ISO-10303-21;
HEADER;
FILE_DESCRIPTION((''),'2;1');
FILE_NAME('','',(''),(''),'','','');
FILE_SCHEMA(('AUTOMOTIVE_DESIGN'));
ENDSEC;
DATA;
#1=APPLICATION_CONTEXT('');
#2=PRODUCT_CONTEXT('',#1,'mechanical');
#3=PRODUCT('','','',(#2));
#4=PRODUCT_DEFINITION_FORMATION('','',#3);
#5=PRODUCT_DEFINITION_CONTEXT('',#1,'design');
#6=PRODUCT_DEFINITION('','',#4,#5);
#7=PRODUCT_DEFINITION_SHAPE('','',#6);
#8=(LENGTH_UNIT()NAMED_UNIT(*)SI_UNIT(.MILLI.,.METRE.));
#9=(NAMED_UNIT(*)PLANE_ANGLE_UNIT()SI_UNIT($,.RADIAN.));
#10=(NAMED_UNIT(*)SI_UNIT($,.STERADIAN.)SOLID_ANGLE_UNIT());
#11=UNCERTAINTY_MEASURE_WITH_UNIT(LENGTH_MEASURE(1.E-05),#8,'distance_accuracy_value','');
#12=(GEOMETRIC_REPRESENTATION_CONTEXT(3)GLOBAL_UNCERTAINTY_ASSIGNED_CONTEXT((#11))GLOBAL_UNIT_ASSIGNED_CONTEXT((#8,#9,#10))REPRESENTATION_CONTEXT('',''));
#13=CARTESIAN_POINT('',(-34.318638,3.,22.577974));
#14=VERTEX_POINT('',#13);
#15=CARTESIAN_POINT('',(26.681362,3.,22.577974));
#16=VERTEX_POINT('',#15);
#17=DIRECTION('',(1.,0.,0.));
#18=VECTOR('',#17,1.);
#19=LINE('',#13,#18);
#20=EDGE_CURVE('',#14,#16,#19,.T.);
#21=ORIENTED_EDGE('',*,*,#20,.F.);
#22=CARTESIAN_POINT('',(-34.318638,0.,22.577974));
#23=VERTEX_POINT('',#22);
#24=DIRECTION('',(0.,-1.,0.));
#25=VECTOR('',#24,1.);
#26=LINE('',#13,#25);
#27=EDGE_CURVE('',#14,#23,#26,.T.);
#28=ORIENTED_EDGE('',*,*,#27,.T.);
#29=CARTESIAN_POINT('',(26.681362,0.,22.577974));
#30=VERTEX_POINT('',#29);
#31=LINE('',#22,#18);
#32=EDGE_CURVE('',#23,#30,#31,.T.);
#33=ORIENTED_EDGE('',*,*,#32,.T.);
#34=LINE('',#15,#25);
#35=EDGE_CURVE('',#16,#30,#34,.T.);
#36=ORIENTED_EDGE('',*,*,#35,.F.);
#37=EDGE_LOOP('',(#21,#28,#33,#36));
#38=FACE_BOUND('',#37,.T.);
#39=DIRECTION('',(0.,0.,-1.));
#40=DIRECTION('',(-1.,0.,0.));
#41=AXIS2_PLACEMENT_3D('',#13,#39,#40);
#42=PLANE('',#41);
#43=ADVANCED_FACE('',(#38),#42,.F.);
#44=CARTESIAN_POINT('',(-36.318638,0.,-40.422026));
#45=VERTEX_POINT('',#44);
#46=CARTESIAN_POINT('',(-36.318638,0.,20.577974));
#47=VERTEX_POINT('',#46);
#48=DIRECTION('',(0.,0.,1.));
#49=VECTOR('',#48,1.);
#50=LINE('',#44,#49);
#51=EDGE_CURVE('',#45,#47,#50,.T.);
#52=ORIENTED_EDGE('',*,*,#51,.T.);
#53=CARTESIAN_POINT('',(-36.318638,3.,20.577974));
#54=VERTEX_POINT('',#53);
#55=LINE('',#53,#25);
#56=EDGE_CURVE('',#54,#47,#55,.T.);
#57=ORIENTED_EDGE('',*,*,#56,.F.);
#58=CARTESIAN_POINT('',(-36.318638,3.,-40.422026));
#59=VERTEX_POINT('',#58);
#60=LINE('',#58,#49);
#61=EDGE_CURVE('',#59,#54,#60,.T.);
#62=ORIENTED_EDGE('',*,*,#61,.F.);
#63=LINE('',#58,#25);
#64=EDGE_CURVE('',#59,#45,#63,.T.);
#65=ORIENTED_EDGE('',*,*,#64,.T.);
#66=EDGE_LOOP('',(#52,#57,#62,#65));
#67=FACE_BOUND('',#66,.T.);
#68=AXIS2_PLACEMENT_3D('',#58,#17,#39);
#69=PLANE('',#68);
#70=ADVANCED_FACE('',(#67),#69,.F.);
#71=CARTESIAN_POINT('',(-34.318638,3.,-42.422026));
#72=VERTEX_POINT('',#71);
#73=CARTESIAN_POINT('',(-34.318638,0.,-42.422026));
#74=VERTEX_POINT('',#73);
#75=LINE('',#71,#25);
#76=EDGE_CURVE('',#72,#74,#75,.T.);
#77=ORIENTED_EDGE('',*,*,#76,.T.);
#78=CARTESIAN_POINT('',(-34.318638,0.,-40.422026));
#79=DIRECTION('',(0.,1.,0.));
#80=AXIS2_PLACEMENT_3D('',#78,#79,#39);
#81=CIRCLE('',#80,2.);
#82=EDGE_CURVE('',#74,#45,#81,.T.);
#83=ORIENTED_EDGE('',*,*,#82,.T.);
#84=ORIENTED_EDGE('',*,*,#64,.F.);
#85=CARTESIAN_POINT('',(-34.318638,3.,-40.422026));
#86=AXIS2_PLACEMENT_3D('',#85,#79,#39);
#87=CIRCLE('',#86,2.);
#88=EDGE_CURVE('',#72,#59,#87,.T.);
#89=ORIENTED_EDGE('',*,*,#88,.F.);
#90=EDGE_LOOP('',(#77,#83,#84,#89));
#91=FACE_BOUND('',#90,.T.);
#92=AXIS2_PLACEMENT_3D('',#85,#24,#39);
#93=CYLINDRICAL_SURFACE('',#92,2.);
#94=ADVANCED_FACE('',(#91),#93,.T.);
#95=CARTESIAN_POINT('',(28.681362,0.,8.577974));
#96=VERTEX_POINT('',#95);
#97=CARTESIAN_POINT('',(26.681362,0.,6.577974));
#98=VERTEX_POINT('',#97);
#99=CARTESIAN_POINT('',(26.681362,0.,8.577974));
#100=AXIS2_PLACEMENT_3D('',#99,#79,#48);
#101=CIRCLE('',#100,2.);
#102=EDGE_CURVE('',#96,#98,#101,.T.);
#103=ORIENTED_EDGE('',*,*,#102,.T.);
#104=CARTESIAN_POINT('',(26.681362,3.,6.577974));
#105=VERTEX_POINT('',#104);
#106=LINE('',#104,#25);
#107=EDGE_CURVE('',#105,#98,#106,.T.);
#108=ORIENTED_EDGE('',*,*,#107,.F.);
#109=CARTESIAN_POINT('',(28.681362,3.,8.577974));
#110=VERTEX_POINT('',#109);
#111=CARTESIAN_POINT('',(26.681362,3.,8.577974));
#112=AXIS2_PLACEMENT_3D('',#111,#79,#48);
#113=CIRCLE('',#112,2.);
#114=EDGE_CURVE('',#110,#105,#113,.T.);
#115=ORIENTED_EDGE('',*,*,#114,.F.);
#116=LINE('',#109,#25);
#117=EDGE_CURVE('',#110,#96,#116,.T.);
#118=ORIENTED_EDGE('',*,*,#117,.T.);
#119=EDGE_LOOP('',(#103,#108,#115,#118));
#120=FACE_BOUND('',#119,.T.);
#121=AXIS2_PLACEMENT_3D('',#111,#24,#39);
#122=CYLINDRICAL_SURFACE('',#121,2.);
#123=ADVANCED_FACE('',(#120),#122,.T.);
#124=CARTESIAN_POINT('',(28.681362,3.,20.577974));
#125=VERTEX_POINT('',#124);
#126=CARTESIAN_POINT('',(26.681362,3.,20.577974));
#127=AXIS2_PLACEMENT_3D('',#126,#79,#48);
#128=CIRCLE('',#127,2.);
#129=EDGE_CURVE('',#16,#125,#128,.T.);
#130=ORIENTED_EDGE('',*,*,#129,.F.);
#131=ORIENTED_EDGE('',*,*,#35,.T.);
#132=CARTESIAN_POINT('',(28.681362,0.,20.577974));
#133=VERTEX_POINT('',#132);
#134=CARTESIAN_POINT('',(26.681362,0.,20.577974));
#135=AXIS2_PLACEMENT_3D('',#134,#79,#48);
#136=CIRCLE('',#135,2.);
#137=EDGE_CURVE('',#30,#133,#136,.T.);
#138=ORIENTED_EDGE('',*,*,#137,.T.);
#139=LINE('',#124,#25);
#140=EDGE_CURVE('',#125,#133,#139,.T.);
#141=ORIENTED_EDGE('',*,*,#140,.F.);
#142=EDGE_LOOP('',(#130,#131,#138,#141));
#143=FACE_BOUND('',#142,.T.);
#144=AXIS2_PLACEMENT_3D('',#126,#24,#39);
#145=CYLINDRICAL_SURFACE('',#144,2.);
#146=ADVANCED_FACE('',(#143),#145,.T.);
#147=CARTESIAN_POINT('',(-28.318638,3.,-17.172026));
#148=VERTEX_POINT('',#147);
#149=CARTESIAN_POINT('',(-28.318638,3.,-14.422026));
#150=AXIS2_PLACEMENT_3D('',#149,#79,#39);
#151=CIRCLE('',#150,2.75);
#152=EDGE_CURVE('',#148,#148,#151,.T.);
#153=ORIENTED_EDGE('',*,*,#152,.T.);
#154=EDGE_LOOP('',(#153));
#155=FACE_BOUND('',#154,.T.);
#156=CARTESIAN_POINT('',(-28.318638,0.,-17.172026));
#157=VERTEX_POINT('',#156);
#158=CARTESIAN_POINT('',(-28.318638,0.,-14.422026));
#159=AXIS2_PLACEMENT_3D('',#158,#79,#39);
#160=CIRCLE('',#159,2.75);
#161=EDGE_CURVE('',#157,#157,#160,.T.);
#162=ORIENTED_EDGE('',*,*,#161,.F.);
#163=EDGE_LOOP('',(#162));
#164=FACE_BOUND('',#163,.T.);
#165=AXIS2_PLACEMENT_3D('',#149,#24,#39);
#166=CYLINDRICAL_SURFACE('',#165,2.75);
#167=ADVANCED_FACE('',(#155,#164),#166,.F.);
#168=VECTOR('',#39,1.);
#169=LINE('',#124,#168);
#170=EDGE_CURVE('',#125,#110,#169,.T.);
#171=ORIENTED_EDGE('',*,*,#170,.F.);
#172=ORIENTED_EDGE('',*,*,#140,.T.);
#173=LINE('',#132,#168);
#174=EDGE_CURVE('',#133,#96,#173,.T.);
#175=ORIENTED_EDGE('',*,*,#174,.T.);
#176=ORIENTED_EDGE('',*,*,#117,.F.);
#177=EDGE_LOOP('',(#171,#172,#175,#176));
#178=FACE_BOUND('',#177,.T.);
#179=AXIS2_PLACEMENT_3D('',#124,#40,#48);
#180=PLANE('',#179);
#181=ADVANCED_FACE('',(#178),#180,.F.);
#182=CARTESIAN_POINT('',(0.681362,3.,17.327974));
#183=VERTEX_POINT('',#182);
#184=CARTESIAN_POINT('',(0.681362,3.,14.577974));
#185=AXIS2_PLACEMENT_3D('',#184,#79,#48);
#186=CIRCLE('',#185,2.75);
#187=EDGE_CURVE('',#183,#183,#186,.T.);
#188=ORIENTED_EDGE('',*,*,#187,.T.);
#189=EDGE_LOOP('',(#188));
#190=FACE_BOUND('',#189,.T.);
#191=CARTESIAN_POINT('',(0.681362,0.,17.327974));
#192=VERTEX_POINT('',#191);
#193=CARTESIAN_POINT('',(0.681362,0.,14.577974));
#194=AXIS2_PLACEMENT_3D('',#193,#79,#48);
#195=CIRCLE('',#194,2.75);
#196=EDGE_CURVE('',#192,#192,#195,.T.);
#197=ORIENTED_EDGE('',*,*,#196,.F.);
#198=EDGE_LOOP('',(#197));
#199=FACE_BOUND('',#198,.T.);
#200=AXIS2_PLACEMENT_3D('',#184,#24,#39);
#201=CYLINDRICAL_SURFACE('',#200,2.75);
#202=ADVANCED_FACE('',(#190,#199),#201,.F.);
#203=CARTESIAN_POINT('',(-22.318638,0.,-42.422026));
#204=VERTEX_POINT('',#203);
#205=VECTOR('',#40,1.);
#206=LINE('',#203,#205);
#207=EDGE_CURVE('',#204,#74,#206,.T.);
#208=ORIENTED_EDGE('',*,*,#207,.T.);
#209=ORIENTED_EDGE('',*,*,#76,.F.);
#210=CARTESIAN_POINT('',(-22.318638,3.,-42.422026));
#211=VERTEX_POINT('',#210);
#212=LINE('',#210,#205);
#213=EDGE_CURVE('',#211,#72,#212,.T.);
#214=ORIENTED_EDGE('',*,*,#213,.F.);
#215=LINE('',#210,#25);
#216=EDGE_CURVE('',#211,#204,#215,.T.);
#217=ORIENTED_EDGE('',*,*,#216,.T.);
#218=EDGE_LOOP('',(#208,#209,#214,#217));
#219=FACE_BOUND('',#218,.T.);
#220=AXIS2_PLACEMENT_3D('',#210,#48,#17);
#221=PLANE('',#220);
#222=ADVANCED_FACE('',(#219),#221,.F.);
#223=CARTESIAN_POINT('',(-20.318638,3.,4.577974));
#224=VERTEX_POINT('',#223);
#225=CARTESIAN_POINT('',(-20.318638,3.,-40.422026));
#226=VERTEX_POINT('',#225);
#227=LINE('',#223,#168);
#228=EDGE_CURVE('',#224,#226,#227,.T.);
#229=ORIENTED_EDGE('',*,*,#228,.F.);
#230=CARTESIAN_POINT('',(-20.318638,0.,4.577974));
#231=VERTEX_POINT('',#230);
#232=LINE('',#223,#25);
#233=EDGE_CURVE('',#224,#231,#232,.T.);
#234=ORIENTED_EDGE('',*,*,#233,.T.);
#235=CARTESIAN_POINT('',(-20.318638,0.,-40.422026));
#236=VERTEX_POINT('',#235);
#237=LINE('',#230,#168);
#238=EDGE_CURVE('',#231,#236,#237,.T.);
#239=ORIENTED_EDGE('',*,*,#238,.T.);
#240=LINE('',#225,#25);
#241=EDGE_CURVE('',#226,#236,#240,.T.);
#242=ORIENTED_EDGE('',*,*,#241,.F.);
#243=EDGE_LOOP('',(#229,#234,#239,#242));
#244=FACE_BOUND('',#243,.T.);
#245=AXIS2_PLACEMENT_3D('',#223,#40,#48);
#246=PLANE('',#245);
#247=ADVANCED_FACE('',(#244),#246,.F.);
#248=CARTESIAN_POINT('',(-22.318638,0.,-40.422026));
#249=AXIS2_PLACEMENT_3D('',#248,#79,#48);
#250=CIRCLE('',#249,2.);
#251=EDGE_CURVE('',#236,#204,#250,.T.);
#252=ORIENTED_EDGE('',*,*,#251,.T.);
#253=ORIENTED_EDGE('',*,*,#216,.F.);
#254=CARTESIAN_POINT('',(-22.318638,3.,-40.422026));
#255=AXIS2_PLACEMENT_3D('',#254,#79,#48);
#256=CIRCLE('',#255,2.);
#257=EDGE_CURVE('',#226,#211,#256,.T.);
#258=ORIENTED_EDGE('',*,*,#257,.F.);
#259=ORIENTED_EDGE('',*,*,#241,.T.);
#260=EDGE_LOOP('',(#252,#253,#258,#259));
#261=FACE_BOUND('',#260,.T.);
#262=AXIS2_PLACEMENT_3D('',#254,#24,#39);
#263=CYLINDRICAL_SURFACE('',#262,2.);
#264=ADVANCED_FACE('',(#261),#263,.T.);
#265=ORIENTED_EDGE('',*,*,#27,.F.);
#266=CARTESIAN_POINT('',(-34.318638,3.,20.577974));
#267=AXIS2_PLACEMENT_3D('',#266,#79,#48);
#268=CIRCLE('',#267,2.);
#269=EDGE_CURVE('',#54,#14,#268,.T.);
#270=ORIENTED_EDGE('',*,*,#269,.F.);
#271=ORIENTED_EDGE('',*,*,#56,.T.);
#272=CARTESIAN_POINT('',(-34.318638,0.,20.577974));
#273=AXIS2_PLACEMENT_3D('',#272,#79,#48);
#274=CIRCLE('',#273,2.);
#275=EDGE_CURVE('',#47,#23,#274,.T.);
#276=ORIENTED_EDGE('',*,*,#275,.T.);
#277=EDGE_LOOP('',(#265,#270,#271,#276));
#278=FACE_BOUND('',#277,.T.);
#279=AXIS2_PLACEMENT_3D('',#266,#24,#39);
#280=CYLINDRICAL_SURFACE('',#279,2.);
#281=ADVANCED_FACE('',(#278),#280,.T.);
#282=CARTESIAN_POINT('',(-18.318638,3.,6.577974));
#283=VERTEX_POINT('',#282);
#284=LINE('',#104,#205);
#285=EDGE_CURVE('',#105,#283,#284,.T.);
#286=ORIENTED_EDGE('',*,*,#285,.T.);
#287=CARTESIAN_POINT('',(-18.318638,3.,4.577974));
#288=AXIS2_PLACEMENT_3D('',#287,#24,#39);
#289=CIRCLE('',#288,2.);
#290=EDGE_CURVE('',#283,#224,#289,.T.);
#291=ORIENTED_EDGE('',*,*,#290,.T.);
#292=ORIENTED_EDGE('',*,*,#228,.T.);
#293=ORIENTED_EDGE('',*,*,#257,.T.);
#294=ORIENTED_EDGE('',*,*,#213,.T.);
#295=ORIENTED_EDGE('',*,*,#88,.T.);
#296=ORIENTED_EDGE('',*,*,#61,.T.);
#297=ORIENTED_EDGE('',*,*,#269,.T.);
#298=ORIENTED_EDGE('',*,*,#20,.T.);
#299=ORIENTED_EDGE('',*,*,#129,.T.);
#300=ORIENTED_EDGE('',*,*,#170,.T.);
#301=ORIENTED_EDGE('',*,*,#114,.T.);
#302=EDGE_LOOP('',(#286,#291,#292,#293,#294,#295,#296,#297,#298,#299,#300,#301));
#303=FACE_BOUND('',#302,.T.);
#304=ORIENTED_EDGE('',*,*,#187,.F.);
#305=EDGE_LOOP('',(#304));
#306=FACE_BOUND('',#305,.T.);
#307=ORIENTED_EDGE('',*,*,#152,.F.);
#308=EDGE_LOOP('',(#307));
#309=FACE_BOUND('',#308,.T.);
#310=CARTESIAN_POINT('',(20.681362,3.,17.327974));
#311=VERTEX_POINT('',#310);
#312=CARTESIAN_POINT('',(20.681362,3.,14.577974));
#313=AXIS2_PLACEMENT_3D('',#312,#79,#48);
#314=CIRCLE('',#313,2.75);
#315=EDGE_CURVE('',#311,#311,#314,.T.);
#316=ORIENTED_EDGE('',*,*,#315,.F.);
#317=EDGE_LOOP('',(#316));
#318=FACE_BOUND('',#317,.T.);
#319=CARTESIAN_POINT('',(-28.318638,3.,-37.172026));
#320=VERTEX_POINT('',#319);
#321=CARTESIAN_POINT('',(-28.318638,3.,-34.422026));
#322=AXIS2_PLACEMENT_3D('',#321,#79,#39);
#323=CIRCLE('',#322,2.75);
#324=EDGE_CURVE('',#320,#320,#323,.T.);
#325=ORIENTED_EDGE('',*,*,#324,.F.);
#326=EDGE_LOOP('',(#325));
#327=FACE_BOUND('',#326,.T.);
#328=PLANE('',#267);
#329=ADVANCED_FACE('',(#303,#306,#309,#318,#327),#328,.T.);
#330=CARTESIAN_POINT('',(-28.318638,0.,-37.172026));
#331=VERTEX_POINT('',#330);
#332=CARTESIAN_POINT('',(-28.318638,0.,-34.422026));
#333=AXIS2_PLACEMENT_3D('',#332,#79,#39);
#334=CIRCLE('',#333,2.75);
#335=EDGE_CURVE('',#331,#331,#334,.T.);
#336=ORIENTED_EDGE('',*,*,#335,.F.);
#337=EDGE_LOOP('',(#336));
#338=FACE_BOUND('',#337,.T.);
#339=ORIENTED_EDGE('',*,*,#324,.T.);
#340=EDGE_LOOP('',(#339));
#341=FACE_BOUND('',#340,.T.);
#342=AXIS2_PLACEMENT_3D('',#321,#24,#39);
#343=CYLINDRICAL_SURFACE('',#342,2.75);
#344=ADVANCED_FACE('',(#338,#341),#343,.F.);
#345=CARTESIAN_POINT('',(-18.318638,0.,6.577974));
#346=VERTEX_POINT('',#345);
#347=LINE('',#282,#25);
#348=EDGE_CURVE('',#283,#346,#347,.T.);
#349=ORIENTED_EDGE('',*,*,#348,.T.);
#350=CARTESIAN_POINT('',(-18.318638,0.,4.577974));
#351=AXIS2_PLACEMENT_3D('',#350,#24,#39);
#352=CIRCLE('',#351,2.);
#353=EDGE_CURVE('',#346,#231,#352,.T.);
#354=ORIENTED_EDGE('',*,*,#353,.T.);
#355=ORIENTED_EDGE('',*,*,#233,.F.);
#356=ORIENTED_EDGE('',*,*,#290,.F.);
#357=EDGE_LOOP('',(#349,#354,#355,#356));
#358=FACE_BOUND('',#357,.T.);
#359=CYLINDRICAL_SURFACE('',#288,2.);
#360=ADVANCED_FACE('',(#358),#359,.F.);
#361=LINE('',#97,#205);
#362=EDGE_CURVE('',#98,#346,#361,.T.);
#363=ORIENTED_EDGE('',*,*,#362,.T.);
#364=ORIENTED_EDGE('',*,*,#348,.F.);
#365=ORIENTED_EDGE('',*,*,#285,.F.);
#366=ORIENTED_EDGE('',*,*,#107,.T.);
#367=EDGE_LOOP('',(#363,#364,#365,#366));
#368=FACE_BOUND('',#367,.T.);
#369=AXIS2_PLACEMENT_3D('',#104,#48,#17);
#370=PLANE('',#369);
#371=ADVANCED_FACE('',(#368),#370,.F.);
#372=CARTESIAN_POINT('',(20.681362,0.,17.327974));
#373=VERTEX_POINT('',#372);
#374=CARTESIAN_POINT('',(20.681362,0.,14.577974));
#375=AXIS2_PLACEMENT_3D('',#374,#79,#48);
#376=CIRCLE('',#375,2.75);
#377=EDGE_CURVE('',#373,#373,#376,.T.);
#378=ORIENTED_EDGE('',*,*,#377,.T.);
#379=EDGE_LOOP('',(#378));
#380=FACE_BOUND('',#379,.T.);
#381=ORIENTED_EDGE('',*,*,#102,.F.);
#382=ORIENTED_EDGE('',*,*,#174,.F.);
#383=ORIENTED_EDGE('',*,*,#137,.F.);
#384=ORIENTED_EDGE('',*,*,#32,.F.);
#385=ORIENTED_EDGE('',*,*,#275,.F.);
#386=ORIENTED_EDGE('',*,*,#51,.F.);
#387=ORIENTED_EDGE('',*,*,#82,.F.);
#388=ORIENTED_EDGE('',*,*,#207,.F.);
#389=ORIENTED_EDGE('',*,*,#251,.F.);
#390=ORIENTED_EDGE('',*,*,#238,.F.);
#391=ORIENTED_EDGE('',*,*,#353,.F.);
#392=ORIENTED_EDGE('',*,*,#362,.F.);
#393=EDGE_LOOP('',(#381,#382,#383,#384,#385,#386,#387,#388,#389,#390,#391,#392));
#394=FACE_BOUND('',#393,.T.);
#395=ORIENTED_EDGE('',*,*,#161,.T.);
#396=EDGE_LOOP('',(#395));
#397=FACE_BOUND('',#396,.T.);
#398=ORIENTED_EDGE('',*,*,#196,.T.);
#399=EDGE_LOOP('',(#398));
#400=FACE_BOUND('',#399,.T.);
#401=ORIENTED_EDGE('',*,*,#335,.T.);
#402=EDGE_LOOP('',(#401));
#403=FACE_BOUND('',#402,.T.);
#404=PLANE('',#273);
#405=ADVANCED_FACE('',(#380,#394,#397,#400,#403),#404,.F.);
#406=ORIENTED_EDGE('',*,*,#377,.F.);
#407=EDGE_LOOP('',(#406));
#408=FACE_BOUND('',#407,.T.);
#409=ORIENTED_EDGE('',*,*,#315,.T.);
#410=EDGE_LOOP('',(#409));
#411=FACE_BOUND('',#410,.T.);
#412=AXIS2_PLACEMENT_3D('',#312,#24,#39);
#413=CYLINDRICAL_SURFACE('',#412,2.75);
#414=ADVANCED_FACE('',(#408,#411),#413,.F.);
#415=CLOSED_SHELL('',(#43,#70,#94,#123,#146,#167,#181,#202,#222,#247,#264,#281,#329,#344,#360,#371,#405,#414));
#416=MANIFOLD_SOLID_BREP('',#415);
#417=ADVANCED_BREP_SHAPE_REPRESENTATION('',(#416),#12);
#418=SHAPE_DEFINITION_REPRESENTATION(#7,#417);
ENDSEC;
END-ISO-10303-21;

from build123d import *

# Parameters (mm, degrees)
SKETCH_1_R      = 2.75
EXTRUDE_1_DEPTH = 3


with BuildPart() as part:
    # 草图1 → 凸台-拉伸1 (new body)
    with BuildSketch(Plane(origin=(0, 0, 0), x_dir=(1, 0, 0), z_dir=(0, 1, 0))):
        with BuildLine():
            Line((-36.318637667, 40.422025804), (-36.318637667, -20.577974196))
            ThreePointArc((-36.318637667, -20.577974196), (-35.73285123, -21.992187758), (-34.318637667, -22.577974196))
            Line((-34.318637667, -22.577974196), (26.681362333, -22.577974196))
            ThreePointArc((26.681362333, -22.577974196), (28.095575895, -21.992187758), (28.681362333, -20.577974196))
            Line((28.681362333, -20.577974196), (28.681362333, -8.577974196))
            ThreePointArc((28.681362333, -8.577974196), (28.095575895, -7.163760633), (26.681362333, -6.577974196))
            Line((26.681362333, -6.577974196), (-18.318637667, -6.577974196))
            ThreePointArc((-18.318637667, -6.577974196), (-19.73285123, -5.992187758), (-20.318637667, -4.577974196))
            Line((-20.318637667, -4.577974196), (-20.318637667, 40.422025804))
            ThreePointArc((-20.318637667, 40.422025804), (-20.904424105, 41.836239367), (-22.318637667, 42.422025804))
            Line((-22.318637667, 42.422025804), (-34.318637667, 42.422025804))
            ThreePointArc((-34.318637667, 42.422025804), (-35.73285123, 41.836239367), (-36.318637667, 40.422025804))
        make_face()
        with Locations(Location((20.681362333, -14.577974196, 0), (0, 0, 270))):
            Circle(SKETCH_1_R, mode=Mode.SUBTRACT)
        with Locations(Location((0.681362333, -14.577974196, 0), (0, 0, 270))):
            Circle(SKETCH_1_R, mode=Mode.SUBTRACT)
        with Locations(Location((-28.318637667, 34.422025804, 0), (0, 0, 90))):
            Circle(SKETCH_1_R, mode=Mode.SUBTRACT)
        with Locations(Location((-28.318637667, 14.422025804, 0), (0, 0, 90))):
            Circle(SKETCH_1_R, mode=Mode.SUBTRACT)
    extrude(amount=EXTRUDE_1_DEPTH)


solid = part.part
